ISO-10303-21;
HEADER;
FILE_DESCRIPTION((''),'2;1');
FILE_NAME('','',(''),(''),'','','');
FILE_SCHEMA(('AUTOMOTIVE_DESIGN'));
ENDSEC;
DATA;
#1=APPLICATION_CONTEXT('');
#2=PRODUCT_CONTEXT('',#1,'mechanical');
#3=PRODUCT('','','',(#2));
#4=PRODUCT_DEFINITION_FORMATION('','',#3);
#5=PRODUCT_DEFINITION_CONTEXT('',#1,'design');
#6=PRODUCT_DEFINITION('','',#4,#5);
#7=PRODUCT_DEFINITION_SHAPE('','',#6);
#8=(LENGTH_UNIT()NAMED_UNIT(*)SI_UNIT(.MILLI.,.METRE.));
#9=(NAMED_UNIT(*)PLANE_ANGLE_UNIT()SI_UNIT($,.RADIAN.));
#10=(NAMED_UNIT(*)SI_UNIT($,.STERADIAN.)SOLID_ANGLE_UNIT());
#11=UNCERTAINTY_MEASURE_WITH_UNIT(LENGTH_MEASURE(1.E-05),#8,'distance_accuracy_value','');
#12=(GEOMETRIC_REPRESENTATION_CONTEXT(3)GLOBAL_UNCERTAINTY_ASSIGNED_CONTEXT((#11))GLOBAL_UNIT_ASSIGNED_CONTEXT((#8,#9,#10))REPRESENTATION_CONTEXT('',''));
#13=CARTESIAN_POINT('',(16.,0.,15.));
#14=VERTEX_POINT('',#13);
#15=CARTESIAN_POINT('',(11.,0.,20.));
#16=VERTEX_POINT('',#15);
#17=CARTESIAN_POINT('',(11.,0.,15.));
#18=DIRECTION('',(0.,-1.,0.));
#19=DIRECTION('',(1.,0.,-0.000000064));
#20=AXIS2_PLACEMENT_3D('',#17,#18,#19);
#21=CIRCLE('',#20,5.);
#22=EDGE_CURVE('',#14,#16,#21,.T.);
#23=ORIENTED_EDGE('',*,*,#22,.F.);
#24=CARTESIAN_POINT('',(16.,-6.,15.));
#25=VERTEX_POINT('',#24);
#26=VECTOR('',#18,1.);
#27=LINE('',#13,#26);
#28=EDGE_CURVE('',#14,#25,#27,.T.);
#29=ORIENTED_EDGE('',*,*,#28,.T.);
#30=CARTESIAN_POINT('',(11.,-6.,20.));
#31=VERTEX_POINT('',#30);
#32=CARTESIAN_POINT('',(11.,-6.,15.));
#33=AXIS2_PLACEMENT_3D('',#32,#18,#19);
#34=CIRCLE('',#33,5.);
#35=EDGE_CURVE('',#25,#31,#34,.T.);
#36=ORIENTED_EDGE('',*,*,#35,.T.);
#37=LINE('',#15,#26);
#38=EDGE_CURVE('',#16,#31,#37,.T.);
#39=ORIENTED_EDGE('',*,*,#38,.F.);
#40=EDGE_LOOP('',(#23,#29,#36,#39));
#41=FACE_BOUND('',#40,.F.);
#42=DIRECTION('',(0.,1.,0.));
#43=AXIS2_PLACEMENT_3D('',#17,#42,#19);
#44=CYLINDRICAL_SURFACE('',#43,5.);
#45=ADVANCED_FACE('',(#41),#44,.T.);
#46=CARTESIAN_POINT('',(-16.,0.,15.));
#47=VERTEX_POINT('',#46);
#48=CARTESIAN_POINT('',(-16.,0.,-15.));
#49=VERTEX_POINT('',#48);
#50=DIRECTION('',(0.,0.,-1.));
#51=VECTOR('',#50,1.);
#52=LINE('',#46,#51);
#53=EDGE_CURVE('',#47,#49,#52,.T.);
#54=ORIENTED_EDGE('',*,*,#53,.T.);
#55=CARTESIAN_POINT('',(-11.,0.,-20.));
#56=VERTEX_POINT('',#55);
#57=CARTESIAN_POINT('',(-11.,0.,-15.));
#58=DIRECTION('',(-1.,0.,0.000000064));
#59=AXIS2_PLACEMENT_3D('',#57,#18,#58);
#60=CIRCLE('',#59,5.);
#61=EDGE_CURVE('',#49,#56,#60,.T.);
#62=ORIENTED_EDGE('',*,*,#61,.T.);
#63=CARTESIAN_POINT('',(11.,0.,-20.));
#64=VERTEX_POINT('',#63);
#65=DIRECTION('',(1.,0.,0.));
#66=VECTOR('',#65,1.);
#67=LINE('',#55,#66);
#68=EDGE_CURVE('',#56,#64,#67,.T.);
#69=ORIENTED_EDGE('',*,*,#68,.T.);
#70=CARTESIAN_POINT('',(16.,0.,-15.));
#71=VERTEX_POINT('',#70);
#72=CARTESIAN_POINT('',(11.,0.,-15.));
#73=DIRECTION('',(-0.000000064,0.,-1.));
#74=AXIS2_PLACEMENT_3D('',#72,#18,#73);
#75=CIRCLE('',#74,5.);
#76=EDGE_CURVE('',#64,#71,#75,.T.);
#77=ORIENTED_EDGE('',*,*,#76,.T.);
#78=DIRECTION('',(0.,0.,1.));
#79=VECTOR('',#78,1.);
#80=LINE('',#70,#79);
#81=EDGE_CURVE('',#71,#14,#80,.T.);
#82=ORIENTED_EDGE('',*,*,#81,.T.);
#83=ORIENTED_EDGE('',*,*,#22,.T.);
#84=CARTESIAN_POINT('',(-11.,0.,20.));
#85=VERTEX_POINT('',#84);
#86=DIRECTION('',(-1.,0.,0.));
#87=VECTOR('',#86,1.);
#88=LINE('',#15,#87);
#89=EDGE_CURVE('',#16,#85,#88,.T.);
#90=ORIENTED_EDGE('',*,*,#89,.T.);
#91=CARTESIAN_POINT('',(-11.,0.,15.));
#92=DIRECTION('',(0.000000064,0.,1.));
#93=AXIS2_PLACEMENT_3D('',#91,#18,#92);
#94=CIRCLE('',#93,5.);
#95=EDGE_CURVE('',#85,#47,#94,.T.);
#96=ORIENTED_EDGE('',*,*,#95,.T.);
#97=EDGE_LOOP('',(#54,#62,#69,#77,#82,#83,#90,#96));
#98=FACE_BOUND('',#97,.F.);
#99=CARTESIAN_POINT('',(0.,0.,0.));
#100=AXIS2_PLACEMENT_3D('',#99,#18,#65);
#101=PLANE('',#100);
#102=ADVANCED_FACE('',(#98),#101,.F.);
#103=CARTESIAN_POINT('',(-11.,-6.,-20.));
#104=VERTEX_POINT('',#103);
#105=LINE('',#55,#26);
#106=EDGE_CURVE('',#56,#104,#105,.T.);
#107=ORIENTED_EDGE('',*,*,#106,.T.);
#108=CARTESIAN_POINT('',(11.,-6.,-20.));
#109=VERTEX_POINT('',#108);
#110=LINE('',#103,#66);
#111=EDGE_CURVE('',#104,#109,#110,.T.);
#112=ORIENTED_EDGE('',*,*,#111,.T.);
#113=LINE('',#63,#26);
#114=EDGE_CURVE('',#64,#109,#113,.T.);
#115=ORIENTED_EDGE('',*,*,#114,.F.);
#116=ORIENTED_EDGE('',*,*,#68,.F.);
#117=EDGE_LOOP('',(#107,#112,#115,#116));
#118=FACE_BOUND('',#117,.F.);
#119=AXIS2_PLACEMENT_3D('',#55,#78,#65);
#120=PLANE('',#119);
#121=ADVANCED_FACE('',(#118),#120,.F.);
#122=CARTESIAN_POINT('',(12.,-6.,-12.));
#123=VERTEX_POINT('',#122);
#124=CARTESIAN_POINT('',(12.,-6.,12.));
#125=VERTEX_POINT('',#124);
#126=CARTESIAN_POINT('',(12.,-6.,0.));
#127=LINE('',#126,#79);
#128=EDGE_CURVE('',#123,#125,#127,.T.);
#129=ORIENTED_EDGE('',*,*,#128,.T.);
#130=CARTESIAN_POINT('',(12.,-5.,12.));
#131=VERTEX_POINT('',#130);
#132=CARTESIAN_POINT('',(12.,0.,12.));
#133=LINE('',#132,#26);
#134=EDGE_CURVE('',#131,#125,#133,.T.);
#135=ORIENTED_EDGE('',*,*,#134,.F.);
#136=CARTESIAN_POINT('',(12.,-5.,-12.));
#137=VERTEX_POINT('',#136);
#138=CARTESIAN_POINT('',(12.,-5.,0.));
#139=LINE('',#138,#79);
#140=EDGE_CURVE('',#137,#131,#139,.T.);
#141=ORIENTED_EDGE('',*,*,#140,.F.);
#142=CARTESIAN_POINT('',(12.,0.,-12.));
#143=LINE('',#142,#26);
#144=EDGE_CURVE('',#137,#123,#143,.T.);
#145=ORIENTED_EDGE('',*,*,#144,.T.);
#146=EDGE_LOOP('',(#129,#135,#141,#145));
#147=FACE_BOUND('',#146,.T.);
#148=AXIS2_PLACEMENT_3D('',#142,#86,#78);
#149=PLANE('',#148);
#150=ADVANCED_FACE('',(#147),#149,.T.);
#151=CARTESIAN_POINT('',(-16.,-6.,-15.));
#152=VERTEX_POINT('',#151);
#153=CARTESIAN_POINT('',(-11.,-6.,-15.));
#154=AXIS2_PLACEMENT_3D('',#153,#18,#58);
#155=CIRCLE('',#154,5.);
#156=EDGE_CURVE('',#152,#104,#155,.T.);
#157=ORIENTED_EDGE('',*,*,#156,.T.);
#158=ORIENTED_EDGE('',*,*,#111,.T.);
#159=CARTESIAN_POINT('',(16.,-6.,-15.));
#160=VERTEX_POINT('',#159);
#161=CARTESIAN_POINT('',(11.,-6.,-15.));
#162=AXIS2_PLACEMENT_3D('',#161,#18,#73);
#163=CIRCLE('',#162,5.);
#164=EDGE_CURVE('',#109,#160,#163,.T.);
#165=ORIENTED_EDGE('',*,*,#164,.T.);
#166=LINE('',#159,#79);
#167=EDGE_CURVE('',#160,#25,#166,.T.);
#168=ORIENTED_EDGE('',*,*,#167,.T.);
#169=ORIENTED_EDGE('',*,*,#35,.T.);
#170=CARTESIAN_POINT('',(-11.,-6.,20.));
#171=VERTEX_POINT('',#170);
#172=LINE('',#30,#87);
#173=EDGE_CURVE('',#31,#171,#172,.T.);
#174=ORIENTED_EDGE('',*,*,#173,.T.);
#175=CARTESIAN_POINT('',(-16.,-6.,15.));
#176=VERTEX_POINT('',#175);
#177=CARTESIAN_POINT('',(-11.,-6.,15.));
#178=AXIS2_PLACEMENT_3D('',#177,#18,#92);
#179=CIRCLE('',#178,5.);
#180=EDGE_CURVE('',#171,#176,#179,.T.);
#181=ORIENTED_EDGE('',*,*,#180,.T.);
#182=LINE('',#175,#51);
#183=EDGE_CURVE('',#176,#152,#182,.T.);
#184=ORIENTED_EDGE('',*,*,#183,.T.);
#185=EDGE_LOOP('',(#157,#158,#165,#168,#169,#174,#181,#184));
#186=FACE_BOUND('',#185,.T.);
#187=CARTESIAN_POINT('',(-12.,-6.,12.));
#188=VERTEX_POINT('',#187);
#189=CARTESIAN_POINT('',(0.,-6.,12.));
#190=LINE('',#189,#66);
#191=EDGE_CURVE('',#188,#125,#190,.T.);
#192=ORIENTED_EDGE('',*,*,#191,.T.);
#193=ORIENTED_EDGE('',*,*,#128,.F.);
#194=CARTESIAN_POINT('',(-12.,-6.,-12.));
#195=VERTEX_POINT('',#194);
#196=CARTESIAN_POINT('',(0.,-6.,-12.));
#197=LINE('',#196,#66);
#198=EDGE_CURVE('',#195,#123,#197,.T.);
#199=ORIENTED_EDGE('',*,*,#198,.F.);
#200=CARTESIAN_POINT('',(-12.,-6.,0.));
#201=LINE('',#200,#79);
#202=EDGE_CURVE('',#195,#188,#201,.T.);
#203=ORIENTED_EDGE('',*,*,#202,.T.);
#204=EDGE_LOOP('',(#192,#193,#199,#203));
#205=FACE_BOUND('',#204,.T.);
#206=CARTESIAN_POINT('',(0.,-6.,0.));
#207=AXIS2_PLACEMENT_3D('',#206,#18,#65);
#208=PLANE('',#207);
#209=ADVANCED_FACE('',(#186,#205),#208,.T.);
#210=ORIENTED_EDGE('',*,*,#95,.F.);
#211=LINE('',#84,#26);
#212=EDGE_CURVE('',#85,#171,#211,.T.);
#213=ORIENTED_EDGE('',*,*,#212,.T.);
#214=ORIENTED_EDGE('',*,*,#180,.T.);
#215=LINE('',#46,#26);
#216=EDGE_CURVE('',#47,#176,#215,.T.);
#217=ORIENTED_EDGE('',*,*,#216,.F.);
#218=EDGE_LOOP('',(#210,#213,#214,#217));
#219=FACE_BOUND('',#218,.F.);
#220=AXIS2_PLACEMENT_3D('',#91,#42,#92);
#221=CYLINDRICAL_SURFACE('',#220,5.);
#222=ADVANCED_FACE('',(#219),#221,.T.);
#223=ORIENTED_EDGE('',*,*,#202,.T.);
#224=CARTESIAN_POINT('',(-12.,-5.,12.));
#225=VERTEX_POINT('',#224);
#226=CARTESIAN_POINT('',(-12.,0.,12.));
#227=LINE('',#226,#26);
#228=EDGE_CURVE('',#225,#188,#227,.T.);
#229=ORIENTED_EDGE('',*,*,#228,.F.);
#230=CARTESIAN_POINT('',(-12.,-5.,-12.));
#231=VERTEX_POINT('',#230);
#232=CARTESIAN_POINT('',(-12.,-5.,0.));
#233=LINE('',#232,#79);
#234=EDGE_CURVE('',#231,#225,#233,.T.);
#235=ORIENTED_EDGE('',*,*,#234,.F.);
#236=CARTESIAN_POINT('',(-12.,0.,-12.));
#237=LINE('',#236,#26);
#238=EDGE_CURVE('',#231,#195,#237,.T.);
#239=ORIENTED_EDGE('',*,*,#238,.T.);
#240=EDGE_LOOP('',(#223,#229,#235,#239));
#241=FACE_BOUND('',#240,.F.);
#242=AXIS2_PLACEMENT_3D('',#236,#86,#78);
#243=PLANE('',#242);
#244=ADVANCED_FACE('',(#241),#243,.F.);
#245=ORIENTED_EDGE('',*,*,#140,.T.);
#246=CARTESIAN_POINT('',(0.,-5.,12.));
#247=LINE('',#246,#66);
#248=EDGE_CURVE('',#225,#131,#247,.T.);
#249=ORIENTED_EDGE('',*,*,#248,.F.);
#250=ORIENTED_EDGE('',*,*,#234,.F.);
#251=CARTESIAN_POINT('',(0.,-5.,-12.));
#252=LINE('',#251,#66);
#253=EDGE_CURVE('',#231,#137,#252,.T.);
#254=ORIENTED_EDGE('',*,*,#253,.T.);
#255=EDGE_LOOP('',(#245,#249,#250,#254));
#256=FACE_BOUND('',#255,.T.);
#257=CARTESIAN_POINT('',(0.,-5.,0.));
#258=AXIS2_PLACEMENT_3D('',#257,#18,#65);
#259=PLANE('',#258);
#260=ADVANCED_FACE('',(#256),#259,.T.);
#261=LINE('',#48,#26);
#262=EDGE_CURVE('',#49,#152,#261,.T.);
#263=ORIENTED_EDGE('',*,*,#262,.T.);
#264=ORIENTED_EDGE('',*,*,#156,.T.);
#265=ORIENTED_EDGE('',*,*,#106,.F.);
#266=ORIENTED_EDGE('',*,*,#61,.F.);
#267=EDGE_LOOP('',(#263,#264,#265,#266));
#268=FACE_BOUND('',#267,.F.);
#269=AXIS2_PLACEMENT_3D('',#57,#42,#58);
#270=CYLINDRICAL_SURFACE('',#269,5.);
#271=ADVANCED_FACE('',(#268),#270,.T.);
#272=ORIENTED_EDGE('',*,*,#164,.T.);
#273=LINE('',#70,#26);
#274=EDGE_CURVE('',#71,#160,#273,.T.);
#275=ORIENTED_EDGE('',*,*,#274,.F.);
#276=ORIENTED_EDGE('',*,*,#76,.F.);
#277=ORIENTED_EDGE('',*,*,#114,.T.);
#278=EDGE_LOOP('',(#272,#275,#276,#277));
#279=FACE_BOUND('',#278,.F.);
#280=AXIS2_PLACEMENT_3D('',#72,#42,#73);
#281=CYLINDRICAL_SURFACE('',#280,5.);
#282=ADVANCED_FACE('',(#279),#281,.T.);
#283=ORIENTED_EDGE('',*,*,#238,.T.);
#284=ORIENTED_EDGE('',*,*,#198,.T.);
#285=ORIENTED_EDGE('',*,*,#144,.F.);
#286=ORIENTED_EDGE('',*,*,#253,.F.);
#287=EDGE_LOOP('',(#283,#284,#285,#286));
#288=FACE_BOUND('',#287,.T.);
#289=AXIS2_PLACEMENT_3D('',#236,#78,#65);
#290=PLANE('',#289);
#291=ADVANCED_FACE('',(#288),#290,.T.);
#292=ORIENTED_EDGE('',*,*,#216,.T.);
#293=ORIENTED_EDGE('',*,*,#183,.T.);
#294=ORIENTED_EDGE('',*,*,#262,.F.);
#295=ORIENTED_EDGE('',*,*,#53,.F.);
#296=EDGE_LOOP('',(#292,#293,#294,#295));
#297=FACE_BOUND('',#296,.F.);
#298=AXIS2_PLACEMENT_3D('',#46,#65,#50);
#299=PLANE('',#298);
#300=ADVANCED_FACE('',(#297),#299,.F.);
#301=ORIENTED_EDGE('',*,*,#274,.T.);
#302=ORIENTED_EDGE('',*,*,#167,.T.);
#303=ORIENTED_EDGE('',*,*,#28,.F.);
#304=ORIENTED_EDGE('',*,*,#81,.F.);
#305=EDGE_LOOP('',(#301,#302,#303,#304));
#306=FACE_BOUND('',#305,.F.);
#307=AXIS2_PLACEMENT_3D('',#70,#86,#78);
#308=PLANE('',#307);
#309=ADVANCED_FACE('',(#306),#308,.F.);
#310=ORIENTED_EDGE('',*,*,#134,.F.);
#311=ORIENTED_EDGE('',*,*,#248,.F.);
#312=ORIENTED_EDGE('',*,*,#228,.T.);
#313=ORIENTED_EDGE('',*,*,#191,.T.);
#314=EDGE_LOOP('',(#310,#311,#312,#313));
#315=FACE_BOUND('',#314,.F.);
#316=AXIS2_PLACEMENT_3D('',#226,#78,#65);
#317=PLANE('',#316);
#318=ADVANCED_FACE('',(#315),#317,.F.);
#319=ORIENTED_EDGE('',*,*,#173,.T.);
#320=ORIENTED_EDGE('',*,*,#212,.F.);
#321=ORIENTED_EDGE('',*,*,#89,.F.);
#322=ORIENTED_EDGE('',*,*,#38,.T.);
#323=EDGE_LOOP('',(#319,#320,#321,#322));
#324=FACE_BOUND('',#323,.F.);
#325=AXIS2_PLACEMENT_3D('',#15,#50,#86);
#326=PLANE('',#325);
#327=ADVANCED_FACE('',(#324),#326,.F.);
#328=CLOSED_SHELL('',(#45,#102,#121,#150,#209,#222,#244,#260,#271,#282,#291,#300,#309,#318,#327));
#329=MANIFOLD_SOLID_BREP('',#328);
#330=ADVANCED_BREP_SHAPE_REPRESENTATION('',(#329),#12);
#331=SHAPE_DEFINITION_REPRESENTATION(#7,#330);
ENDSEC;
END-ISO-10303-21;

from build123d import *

# Parameters (mm, degrees)
F0_W     = 24
F0_H     = 24
F1_DEPTH = 6
F2_DEPTH = 5


with BuildPart() as f1:
    # F0 (on Front) → F1 (new body)
    with BuildSketch(Plane.XZ):
        with BuildLine():
            Line((11, 20), (-11, 20))
            ThreePointArc((-11, 20), (-14.535534, 18.535534), (-16, 15))
            Line((-16, 15), (-16, -15))
            ThreePointArc((-16, -15), (-14.535534, -18.535534), (-11, -20))
            Line((-11, -20), (11, -20))
            ThreePointArc((11, -20), (14.535534, -18.535534), (16, -15))
            Line((16, -15), (16, 15))
            ThreePointArc((16, 15), (14.535534, 18.535534), (11, 20))
        make_face()
        Rectangle(F0_W, F0_H, mode=Mode.SUBTRACT)
    extrude(amount=F1_DEPTH)

    # F0 (on Front) → F2 (join)
    with BuildSketch(Plane.XZ):
        Rectangle(F0_W, F0_H)
    extrude(amount=F2_DEPTH)


solid = f1.part
